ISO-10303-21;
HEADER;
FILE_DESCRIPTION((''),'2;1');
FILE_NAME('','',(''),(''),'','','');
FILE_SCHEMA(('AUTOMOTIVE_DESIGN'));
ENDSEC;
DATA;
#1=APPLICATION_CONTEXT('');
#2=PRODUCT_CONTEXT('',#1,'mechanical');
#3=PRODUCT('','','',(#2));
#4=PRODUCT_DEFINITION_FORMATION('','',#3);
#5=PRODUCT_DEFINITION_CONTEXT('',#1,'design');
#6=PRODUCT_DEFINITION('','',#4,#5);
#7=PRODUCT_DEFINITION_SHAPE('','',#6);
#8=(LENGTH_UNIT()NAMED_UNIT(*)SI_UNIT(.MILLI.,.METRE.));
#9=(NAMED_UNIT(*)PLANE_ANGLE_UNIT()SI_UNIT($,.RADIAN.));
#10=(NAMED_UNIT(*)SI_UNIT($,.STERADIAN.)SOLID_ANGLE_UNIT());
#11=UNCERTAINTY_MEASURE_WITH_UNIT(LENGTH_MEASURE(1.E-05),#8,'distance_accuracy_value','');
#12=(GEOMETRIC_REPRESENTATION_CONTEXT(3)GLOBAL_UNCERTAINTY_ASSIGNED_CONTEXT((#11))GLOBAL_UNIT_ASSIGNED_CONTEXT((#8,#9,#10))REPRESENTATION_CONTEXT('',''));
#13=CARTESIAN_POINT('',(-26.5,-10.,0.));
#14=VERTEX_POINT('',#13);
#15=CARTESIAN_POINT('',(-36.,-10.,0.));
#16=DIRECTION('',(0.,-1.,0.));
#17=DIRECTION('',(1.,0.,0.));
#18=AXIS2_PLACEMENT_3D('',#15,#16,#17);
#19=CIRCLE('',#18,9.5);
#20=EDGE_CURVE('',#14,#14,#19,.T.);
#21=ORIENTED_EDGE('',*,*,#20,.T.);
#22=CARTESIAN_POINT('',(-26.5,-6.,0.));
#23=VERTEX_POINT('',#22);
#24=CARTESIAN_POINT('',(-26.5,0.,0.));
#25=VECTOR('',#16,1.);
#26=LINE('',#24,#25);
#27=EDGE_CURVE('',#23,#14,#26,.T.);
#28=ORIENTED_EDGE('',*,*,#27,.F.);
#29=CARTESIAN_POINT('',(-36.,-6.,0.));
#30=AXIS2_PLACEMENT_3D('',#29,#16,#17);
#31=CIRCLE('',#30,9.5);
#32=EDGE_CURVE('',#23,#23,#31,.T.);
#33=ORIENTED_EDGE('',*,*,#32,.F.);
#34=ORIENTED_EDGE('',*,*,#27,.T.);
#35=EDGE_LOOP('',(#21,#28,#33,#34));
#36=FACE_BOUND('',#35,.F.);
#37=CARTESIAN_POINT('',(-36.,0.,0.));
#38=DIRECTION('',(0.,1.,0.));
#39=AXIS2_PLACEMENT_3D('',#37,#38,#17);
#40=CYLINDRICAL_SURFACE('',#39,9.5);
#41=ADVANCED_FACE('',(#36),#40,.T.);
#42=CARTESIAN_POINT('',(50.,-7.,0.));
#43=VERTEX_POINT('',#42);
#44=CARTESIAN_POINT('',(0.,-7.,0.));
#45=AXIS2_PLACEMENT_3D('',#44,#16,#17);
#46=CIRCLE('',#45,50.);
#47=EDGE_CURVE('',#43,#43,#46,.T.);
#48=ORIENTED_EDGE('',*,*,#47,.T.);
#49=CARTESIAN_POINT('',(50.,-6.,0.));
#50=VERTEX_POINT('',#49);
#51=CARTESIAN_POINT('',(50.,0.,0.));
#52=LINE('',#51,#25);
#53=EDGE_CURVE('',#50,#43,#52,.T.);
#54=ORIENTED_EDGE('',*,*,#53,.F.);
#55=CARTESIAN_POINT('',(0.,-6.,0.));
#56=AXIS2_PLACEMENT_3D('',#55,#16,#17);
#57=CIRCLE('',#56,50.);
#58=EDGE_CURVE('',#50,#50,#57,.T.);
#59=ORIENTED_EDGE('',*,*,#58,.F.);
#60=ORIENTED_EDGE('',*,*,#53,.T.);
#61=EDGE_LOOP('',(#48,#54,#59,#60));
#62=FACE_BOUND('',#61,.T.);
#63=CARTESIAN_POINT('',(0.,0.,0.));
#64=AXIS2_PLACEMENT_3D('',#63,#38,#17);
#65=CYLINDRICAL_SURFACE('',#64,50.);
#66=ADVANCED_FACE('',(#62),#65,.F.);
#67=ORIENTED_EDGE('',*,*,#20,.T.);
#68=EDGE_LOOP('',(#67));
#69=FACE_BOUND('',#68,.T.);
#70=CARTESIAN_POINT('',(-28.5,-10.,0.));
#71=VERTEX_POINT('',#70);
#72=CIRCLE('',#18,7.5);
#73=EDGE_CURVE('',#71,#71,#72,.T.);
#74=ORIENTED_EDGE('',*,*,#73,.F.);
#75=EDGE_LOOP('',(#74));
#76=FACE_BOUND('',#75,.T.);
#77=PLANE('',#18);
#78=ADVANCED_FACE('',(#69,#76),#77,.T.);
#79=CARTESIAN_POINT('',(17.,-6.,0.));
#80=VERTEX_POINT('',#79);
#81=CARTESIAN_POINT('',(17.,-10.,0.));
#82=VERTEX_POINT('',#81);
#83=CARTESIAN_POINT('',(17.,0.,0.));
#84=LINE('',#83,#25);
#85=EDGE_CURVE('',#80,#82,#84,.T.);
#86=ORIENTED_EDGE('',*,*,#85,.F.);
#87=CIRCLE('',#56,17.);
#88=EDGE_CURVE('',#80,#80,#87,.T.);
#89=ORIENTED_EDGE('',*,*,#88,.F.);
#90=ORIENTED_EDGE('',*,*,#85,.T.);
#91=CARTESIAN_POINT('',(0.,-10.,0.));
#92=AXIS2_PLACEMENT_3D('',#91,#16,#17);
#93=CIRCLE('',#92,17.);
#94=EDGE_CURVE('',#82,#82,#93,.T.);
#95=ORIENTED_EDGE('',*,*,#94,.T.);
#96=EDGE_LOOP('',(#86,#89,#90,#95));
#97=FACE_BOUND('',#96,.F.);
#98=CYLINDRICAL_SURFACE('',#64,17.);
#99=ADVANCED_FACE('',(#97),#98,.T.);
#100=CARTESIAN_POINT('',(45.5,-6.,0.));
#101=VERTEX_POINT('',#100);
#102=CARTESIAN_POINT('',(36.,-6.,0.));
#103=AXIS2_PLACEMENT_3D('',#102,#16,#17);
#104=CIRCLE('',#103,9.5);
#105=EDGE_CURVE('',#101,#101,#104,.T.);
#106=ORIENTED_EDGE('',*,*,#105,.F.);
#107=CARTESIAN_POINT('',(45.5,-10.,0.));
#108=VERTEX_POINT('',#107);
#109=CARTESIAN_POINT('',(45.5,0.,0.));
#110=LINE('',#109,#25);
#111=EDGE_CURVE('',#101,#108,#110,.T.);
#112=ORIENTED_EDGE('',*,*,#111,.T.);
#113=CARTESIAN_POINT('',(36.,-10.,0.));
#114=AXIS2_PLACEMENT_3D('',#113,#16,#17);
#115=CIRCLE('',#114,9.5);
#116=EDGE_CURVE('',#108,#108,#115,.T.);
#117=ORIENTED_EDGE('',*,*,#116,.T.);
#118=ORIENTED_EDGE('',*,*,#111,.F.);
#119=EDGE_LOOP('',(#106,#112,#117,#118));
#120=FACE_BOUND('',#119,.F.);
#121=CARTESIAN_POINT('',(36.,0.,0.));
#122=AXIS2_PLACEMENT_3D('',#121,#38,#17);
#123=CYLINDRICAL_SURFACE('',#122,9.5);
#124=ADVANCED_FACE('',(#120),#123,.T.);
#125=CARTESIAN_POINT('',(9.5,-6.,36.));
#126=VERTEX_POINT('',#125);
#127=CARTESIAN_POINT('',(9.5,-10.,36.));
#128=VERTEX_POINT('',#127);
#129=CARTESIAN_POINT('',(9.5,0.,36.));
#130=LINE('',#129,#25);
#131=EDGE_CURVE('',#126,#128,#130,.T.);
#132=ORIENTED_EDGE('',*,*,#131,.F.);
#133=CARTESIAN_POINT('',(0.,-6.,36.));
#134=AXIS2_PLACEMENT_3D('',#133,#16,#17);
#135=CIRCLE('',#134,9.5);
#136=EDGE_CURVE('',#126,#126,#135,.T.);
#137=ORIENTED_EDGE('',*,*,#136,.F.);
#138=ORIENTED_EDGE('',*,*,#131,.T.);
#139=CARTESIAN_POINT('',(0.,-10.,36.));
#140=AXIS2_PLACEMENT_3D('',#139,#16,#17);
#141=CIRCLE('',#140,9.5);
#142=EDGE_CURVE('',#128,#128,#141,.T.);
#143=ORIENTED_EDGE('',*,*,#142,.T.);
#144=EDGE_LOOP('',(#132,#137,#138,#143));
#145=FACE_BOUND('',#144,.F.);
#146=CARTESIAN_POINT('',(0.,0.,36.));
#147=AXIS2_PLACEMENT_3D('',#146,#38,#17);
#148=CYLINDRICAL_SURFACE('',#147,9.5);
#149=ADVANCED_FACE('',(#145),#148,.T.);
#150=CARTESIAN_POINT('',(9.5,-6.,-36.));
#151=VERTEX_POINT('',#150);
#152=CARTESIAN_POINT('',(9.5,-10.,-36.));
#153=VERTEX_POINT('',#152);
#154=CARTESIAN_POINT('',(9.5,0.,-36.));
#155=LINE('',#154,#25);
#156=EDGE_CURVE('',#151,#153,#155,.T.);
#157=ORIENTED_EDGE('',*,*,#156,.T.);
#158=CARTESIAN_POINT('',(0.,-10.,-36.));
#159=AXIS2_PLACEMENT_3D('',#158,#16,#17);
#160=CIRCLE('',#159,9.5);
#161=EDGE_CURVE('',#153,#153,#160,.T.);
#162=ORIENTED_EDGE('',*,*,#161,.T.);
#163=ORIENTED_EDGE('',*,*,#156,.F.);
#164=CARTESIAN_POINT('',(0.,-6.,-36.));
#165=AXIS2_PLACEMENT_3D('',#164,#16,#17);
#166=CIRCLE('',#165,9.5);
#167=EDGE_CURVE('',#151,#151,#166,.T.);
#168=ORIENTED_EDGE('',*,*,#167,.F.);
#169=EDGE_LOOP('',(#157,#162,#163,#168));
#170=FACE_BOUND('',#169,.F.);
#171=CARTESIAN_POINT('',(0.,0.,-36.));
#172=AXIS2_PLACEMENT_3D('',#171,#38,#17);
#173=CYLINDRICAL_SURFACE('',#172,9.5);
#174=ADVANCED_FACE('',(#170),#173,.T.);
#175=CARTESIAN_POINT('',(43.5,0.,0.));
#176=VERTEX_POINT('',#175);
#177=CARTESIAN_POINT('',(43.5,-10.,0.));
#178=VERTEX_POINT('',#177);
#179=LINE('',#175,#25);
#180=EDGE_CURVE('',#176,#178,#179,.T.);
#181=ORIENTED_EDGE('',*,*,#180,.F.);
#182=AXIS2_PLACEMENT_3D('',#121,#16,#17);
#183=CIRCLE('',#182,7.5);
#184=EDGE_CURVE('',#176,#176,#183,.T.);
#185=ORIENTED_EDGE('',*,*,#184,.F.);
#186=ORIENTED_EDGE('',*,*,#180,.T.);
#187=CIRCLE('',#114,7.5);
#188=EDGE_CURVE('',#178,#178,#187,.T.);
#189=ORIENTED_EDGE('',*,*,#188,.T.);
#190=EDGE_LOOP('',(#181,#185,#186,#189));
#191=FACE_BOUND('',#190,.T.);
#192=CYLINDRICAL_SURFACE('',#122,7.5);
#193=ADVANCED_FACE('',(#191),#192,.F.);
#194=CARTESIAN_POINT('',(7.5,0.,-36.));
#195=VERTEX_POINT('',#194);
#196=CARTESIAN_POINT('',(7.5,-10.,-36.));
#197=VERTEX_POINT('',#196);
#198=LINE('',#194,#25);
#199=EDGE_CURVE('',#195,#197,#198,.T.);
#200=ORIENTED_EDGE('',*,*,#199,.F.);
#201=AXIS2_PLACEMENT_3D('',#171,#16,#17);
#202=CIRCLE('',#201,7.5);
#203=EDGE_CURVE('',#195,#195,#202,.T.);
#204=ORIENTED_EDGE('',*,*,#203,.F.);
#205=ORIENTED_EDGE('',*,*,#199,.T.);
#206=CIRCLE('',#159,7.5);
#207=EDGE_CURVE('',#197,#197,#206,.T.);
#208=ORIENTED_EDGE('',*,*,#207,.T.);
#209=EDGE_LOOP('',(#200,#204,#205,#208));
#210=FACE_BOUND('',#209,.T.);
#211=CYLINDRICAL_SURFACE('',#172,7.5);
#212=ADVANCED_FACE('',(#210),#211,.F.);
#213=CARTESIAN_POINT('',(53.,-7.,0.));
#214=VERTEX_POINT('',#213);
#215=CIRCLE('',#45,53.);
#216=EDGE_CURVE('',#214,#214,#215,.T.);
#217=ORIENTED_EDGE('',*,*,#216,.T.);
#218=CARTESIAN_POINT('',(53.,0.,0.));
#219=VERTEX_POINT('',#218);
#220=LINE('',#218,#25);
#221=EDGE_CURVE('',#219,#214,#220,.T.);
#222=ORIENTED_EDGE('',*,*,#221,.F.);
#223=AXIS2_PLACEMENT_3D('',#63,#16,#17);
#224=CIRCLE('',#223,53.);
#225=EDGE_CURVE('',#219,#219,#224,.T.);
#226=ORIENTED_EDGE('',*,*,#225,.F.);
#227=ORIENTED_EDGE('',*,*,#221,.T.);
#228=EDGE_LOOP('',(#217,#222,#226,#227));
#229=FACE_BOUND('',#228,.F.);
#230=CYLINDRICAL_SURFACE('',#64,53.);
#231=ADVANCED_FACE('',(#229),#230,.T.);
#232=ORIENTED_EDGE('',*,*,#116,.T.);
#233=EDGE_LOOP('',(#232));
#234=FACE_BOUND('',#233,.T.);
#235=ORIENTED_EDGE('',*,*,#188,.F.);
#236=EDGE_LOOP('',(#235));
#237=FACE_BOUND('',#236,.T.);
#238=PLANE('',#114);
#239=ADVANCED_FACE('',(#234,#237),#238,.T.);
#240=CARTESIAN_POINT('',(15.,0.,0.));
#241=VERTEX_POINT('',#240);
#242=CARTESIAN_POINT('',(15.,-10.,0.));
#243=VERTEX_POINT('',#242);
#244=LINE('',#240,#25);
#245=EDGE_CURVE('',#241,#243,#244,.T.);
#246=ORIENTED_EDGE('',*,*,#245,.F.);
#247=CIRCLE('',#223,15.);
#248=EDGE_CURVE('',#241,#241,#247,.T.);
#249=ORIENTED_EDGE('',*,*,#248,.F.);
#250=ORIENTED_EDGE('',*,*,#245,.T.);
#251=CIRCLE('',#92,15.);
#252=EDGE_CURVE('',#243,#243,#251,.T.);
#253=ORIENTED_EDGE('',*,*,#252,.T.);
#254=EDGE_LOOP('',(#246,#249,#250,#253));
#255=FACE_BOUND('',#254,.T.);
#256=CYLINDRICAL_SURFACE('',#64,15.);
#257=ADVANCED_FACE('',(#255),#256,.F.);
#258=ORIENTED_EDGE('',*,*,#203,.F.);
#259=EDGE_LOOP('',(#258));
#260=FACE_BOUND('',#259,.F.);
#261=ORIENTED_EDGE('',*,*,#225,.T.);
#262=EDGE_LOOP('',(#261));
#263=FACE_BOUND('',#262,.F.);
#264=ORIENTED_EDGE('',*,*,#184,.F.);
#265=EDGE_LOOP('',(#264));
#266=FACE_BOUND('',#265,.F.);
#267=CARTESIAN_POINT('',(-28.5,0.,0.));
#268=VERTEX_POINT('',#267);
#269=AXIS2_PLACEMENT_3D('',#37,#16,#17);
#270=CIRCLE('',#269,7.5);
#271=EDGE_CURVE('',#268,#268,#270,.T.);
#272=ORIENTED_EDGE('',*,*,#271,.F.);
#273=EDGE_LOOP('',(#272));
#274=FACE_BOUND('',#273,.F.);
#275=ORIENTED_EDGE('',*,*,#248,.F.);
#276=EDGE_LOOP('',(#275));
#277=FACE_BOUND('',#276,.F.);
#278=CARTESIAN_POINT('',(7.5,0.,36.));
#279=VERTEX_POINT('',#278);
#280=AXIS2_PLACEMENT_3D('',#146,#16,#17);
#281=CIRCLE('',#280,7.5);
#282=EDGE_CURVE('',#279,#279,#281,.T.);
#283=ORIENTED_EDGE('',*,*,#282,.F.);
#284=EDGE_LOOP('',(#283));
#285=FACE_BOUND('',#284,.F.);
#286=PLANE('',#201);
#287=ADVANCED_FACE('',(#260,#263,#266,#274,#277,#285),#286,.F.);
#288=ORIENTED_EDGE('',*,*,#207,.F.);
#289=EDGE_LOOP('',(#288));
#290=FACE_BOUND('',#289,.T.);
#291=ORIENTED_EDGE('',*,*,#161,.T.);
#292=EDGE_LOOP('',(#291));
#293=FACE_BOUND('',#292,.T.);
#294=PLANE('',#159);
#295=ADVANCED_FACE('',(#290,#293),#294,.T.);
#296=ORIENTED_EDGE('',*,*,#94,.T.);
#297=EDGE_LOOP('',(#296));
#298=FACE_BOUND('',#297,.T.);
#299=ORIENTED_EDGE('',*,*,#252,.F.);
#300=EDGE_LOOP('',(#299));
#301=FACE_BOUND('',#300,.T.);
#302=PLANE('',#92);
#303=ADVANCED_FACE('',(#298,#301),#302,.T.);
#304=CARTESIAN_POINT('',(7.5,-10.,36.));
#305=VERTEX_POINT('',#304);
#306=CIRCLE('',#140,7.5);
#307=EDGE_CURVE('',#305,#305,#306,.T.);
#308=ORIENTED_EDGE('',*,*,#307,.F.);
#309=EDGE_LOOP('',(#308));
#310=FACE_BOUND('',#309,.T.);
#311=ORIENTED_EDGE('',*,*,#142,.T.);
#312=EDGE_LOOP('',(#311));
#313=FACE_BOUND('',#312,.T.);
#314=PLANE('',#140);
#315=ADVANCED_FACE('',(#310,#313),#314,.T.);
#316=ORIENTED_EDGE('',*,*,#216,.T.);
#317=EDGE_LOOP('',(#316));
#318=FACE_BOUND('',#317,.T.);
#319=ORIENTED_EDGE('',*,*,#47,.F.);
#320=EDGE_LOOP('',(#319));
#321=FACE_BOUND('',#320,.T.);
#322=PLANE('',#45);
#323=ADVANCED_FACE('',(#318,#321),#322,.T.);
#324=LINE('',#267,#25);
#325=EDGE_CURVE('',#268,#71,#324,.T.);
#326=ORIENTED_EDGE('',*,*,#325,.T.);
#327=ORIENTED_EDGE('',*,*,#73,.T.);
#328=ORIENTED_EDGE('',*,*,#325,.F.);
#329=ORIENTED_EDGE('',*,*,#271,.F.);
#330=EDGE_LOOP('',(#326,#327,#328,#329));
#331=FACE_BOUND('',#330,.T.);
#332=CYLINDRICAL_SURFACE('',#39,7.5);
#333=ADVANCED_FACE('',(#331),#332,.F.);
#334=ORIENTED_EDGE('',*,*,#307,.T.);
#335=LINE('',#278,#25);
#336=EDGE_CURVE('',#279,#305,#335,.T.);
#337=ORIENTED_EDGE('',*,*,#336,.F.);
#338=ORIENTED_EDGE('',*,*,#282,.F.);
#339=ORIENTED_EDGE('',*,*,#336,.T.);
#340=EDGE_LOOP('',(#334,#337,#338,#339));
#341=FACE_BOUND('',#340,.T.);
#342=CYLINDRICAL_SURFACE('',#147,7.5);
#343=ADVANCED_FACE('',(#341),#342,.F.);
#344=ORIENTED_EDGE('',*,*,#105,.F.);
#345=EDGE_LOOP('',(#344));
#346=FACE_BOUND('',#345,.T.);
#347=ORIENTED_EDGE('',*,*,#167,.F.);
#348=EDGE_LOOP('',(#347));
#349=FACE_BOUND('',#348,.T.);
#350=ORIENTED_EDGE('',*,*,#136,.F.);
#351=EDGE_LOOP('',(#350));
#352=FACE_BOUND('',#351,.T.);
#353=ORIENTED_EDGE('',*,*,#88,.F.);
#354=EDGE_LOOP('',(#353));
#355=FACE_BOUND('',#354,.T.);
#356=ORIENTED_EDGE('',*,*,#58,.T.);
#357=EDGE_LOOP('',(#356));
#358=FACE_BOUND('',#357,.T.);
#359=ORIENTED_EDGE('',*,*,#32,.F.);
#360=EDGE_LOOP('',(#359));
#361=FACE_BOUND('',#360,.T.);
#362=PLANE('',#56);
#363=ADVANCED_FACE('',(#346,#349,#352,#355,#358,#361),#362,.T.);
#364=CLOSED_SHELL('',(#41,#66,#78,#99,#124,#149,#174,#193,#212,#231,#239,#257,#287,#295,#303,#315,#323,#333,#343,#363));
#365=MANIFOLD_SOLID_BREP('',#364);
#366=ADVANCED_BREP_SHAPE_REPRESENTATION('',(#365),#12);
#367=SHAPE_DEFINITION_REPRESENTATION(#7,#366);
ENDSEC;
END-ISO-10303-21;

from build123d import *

# Parameters (mm, degrees)
F0_R     = 53
F0_R_2   = 50
F1_DEPTH = 7
F0_R_3   = 9.5
F0_R_4   = 17
F2_DEPTH = 6
F0_R_5   = 7.5
F3_DEPTH = 10
F4_DEPTH = 10
F0_R_6   = 15
F5_DEPTH = 10
F6_DEPTH = 10
F7_DEPTH = 10


with BuildPart() as f1:
    # F0 (on Front) → F1 (new body)
    with BuildSketch(Plane.XZ):
        Circle(F0_R)
        Circle(F0_R_2, mode=Mode.SUBTRACT)
    extrude(amount=F1_DEPTH)

    # F0 (on Front) → F2 (join)
    with BuildSketch(Plane.XZ):
        Circle(F0_R_2)
        with Locations((0, -36)):
            Circle(F0_R_3, mode=Mode.SUBTRACT)
        with Locations((-36, 0)):
            Circle(F0_R_3, mode=Mode.SUBTRACT)
        Circle(F0_R_4, mode=Mode.SUBTRACT)
        with Locations((36, 0)):
            Circle(F0_R_3, mode=Mode.SUBTRACT)
        with Locations((0, 36)):
            Circle(F0_R_3, mode=Mode.SUBTRACT)
    extrude(amount=F2_DEPTH)

    # F0 (on Front) → F3 (join)
    with BuildSketch(Plane.XZ):
        with Locations((36, 0)):
            Circle(F0_R_3)
        with Locations((36, 0)):
            Circle(F0_R_5, mode=Mode.SUBTRACT)
    extrude(amount=F3_DEPTH)

    # F0 (on Front) → F4 (join)
    with BuildSketch(Plane.XZ):
        with Locations((0, 36)):
            Circle(F0_R_3)
        with Locations((0, 36)):
            Circle(F0_R_5, mode=Mode.SUBTRACT)
    extrude(amount=F4_DEPTH)

    # F0 (on Front) → F5 (join)
    with BuildSketch(Plane.XZ):
        Circle(F0_R_4)
        Circle(F0_R_6, mode=Mode.SUBTRACT)
    extrude(amount=F5_DEPTH)

    # F0 (on Front) → F6 (join)
    with BuildSketch(Plane.XZ):
        with Locations((-36, 0)):
            Circle(F0_R_3)
        with Locations((-36, 0)):
            Circle(F0_R_5, mode=Mode.SUBTRACT)
    extrude(amount=F6_DEPTH)

    # F0 (on Front) → F7 (join)
    with BuildSketch(Plane.XZ):
        with Locations((0, -36)):
            Circle(F0_R_3)
        with Locations((0, -36)):
            Circle(F0_R_5, mode=Mode.SUBTRACT)
    extrude(amount=F7_DEPTH)


solid = f1.part
